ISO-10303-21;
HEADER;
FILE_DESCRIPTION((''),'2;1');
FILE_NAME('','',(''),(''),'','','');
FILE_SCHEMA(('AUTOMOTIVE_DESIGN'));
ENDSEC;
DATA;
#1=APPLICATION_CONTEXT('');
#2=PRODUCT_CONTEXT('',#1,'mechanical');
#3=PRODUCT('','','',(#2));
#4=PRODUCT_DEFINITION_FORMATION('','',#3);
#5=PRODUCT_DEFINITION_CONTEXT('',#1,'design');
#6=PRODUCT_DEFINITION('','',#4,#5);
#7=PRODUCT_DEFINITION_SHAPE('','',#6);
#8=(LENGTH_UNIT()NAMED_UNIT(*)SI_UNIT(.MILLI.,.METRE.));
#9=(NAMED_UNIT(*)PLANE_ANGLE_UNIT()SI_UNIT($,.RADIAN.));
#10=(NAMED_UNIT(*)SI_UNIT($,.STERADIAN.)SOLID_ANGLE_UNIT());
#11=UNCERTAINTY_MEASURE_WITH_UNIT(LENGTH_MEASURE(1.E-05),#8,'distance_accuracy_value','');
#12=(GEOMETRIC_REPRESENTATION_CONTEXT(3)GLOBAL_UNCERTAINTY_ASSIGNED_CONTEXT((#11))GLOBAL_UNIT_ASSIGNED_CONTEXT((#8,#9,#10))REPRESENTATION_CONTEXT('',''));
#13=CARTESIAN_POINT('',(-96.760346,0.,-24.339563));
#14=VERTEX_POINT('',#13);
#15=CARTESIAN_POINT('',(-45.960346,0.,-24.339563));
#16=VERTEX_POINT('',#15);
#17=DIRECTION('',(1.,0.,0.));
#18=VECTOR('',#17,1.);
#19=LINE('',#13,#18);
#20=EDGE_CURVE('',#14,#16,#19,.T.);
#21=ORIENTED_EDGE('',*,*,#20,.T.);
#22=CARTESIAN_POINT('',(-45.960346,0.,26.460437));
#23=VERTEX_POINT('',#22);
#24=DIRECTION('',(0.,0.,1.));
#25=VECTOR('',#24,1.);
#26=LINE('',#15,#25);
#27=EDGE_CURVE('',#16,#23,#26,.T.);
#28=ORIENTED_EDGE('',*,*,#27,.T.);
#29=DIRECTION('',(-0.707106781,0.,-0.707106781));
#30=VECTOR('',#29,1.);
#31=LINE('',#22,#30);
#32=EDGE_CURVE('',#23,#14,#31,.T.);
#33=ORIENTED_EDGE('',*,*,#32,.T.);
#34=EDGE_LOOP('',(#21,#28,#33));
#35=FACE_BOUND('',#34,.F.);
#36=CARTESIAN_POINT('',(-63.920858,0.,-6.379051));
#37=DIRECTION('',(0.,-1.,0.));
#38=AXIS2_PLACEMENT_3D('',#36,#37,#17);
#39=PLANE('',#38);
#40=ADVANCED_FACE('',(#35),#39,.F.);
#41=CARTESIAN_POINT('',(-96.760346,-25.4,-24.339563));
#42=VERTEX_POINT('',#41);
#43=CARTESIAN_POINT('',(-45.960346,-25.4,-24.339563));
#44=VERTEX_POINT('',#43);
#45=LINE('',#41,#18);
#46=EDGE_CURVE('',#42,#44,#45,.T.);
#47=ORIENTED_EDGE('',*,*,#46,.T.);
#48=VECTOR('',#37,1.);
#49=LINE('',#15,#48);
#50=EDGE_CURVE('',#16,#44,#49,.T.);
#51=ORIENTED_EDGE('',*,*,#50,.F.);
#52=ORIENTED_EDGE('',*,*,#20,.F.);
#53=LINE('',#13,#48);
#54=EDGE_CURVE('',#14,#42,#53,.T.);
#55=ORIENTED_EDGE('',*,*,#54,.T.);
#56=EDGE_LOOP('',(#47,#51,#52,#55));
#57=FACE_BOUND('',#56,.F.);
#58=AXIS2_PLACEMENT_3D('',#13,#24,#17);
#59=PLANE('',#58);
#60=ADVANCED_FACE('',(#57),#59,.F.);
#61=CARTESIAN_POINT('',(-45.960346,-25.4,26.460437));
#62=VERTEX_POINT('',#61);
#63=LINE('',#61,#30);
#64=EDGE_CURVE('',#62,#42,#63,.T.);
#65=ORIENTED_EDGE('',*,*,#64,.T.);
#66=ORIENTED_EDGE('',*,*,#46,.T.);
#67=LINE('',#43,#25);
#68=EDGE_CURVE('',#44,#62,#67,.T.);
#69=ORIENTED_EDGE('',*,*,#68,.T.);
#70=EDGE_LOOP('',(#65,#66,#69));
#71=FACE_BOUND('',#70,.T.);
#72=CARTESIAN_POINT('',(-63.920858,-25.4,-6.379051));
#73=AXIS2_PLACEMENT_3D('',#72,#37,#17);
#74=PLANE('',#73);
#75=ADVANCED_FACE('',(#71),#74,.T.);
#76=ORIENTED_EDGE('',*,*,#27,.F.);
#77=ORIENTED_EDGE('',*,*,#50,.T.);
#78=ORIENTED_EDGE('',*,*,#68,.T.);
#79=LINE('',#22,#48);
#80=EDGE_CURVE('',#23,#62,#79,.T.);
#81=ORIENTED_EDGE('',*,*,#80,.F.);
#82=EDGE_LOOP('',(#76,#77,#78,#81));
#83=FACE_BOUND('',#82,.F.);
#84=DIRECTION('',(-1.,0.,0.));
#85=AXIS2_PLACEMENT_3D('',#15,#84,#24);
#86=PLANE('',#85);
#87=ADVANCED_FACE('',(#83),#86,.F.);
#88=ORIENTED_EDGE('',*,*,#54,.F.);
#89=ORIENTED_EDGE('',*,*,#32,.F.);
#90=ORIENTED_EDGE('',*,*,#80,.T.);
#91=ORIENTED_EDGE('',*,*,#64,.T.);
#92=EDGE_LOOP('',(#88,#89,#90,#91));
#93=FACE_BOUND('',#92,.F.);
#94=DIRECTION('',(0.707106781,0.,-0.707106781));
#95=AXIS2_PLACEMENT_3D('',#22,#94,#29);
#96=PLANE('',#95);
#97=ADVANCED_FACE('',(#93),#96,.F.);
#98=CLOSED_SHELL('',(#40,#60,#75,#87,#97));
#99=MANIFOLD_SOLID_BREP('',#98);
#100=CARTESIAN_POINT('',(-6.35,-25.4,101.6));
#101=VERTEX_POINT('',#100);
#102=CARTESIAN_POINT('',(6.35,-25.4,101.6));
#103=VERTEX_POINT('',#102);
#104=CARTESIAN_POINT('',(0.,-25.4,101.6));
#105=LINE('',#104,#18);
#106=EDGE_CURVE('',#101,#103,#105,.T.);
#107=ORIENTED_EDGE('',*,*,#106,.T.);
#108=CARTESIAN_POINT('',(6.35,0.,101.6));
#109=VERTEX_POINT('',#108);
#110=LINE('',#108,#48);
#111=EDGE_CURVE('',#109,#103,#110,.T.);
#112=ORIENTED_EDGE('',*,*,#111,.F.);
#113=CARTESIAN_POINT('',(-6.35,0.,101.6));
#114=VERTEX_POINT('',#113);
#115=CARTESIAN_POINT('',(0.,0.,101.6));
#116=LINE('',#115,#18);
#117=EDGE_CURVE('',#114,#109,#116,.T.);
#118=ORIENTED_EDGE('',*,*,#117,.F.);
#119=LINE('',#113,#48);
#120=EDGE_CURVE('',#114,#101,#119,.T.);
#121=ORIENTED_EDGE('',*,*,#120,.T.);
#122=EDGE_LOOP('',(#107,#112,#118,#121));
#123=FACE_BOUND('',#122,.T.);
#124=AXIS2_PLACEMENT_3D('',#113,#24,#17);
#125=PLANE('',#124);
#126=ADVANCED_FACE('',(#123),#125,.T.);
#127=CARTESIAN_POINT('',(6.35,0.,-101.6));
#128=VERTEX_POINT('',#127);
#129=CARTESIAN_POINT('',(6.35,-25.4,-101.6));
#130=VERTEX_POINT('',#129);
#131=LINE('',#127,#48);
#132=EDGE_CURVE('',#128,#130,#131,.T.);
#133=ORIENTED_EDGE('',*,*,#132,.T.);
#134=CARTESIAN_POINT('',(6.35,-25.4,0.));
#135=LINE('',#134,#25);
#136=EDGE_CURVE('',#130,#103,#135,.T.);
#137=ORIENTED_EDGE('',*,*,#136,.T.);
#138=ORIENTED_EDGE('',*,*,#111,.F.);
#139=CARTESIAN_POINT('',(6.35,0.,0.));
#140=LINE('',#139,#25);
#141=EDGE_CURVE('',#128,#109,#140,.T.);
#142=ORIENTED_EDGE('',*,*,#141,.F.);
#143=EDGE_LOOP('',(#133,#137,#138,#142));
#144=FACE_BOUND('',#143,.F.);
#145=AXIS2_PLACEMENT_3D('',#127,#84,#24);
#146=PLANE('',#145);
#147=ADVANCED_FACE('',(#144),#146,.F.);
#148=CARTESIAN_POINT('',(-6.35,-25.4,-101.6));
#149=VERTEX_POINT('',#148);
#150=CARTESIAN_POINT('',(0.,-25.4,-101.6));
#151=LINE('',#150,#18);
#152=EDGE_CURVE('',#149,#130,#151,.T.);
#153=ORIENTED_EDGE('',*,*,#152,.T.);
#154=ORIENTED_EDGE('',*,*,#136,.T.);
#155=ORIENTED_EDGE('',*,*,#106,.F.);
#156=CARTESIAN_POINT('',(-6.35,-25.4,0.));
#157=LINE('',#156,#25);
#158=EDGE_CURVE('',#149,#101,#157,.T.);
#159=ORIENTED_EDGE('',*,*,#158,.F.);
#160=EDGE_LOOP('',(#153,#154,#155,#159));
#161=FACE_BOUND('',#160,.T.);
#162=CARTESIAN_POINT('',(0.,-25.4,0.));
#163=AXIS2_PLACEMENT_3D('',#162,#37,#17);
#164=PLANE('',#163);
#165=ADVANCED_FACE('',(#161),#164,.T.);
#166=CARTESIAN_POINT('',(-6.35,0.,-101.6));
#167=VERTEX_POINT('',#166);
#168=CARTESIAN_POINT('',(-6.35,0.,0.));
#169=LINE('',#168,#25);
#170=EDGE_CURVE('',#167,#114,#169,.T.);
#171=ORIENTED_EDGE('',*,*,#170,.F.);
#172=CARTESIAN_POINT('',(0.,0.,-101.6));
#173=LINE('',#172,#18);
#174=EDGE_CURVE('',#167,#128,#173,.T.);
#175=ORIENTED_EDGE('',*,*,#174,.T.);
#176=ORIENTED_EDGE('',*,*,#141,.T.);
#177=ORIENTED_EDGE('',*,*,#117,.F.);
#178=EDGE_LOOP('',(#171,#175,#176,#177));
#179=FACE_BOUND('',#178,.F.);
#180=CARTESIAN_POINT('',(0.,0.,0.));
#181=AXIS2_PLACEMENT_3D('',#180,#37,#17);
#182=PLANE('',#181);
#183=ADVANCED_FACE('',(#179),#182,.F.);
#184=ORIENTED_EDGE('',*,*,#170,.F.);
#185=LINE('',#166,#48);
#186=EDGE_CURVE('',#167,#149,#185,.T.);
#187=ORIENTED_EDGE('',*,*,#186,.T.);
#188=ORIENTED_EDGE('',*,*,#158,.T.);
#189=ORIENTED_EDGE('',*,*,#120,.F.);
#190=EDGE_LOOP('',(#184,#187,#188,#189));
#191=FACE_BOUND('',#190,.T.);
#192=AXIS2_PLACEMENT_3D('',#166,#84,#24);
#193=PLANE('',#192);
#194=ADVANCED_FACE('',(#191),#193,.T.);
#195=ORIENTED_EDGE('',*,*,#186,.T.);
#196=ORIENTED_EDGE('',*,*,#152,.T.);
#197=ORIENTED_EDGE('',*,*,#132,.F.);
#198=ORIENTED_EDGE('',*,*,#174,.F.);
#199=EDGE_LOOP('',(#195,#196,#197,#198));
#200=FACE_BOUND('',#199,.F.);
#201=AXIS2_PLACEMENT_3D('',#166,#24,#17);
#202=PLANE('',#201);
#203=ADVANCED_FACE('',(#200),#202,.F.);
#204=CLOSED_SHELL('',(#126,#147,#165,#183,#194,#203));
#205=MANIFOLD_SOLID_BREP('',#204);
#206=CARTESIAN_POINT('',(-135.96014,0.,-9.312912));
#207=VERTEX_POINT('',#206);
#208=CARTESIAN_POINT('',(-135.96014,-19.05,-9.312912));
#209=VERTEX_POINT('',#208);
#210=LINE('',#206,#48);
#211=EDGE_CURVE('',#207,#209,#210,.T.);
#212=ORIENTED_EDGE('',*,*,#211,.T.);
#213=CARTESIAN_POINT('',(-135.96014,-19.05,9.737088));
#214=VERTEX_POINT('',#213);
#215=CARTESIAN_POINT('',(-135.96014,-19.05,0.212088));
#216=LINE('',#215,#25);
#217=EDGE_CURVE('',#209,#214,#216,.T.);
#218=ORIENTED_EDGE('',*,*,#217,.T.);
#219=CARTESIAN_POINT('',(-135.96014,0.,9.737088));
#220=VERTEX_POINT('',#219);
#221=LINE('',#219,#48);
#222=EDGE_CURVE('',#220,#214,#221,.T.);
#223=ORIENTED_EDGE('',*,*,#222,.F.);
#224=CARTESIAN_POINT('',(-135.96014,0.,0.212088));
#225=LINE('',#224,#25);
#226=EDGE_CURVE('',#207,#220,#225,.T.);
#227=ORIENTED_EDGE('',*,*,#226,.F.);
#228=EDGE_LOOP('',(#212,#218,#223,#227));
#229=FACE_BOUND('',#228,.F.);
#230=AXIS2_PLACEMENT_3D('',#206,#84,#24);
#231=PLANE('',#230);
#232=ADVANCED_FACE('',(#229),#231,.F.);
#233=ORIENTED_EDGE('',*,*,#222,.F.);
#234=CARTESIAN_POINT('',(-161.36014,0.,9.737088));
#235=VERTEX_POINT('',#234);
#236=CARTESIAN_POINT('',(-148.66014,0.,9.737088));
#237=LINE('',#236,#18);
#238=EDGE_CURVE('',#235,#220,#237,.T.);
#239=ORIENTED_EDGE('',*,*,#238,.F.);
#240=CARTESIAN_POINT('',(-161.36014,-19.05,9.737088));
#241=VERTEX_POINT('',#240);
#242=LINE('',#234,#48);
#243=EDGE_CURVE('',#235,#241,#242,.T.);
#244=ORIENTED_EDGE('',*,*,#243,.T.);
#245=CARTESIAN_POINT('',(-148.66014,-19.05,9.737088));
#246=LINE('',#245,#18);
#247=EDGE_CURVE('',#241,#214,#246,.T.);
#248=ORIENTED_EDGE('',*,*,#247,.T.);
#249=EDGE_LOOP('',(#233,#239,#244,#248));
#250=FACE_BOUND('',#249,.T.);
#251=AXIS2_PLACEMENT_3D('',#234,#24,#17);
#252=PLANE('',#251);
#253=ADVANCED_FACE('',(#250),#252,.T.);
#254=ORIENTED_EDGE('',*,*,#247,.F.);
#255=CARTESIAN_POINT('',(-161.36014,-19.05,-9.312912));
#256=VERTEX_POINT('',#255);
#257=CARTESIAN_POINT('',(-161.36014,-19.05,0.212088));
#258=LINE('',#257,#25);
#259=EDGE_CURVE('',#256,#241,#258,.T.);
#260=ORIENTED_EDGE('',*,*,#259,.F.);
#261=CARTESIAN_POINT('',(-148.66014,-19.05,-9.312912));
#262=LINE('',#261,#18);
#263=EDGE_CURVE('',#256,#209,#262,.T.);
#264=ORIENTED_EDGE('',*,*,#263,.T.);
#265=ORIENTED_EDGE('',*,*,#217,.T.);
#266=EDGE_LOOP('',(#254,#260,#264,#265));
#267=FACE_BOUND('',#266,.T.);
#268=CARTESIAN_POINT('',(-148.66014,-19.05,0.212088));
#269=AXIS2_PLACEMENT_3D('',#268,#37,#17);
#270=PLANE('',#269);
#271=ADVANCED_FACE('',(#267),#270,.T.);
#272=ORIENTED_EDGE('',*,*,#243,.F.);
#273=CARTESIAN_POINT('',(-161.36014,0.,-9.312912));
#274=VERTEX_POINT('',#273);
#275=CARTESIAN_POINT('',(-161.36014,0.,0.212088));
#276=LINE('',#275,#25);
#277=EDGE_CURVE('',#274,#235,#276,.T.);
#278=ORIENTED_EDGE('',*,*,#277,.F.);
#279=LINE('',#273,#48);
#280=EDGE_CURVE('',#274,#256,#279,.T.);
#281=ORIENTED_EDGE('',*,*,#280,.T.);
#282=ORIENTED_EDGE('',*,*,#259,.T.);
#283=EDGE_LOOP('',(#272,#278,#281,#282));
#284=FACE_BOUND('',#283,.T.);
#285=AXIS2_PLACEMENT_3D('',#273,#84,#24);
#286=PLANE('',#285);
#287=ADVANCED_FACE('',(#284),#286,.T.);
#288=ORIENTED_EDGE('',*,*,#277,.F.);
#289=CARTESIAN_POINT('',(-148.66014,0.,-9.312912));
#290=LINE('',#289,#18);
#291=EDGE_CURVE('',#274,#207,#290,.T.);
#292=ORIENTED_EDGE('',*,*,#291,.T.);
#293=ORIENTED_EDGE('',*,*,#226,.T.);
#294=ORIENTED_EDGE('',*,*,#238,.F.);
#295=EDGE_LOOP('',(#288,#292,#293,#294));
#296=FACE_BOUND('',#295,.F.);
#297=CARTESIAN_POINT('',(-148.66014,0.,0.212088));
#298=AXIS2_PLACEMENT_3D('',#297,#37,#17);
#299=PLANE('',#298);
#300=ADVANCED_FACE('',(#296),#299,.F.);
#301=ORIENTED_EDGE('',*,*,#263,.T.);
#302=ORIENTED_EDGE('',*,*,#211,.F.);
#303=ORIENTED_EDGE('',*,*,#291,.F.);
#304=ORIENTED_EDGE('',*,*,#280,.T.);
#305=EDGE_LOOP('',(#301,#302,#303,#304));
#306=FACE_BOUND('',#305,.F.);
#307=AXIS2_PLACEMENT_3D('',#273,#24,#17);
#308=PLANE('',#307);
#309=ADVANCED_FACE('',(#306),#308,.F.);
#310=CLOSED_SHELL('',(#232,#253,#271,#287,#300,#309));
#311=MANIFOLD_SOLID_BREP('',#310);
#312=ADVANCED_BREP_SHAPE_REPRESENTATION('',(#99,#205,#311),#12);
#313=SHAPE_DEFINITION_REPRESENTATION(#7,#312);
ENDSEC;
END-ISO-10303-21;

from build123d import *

# Parameters (mm, degrees)
F0_W     = 12.7
F0_H     = 203.2
F1_DEPTH = 25.4
F3_DEPTH = 25.4
F4_W     = 25.4
F4_H     = 19.05
F5_DEPTH = 19.05


with BuildPart() as f1:
    # F0 (on Front) → F1 (new body)
    with BuildSketch(Plane.XZ):
        Rectangle(F0_W, F0_H)
    extrude(amount=F1_DEPTH)


with BuildPart() as f3:
    # F2 (on Front) → F3 (new body)
    with BuildSketch(Plane.XZ):
        Polygon((-45.960346, 26.460437), (-96.760346, -24.339563), (-45.960346, -24.339563), align=None)
    extrude(amount=F3_DEPTH)


with BuildPart() as f5:
    # F4 (on Front) → F5 (new body)
    with BuildSketch(Plane.XZ):
        with Locations((-148.66014, 0.212088)):
            Rectangle(F4_W, F4_H)
    extrude(amount=F5_DEPTH)


solid = Compound([f1.part, f3.part, f5.part])
